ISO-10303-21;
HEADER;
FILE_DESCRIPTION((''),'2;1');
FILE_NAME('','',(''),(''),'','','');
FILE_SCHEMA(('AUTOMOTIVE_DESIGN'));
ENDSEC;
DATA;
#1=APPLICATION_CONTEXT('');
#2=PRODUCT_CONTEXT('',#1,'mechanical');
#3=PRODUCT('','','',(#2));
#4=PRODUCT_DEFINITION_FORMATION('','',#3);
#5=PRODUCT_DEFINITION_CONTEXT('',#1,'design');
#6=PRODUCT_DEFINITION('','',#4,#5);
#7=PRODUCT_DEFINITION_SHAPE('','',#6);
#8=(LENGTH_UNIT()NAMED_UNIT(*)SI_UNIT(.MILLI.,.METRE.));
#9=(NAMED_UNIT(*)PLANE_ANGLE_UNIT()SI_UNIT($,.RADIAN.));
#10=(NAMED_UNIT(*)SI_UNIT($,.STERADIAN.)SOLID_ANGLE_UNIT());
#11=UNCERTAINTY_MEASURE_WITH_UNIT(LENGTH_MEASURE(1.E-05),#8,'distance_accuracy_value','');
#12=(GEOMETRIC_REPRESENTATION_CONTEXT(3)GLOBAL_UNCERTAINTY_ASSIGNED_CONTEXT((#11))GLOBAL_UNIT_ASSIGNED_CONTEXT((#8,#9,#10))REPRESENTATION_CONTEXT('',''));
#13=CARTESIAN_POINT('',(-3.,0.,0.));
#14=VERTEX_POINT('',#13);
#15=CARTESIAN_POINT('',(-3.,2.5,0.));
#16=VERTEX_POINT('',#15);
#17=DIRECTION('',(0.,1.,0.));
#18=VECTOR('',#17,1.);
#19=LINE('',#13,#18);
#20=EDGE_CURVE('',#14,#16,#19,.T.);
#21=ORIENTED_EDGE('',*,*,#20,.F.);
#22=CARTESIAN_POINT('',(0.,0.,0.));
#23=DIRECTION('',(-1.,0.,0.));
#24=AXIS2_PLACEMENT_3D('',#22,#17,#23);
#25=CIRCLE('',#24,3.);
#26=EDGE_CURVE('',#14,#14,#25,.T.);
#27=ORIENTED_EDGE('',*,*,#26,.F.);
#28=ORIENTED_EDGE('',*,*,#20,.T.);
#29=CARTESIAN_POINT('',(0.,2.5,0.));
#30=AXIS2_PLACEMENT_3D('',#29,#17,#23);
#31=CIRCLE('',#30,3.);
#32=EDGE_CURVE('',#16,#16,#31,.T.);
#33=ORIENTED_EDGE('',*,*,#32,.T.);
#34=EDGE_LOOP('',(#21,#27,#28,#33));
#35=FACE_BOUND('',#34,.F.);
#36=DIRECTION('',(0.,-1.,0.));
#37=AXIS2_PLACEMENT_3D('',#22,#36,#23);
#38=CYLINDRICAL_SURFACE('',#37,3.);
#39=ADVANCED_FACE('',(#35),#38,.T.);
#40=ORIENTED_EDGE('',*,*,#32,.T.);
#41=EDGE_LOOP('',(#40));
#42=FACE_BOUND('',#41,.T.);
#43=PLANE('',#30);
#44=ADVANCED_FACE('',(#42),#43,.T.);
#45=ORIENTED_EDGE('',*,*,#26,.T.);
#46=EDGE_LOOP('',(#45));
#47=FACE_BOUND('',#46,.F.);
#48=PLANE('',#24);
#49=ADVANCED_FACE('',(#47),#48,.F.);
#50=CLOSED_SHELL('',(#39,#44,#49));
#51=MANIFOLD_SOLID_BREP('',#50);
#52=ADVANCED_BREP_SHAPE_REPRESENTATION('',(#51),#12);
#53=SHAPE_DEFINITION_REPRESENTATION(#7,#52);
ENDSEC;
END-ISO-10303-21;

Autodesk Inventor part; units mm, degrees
ref_plane "YZ Plane" through (0, 0, 0) normal (1, 0, 0) x (0, 1, 0)
ref_plane "XZ Plane" through (0, 0, 0) normal (0, 1, 0) x (-1, 0, 0)
ref_plane "XY Plane" through (0, 0, 0) normal (0, 0, 1) x (1, 0, 0)
sketch "スケッチ1" plane through (0, 0, 0) normal (0, 1, 0) x (-1, 0, 0)
  circle A0 centre (0, 0) radius 3
  dimension "d0" = 6
extrude "押し出し1" add sketch "スケッチ1" along normal blind 2.5
properties part number "neodymiummagnet_Φ6"
